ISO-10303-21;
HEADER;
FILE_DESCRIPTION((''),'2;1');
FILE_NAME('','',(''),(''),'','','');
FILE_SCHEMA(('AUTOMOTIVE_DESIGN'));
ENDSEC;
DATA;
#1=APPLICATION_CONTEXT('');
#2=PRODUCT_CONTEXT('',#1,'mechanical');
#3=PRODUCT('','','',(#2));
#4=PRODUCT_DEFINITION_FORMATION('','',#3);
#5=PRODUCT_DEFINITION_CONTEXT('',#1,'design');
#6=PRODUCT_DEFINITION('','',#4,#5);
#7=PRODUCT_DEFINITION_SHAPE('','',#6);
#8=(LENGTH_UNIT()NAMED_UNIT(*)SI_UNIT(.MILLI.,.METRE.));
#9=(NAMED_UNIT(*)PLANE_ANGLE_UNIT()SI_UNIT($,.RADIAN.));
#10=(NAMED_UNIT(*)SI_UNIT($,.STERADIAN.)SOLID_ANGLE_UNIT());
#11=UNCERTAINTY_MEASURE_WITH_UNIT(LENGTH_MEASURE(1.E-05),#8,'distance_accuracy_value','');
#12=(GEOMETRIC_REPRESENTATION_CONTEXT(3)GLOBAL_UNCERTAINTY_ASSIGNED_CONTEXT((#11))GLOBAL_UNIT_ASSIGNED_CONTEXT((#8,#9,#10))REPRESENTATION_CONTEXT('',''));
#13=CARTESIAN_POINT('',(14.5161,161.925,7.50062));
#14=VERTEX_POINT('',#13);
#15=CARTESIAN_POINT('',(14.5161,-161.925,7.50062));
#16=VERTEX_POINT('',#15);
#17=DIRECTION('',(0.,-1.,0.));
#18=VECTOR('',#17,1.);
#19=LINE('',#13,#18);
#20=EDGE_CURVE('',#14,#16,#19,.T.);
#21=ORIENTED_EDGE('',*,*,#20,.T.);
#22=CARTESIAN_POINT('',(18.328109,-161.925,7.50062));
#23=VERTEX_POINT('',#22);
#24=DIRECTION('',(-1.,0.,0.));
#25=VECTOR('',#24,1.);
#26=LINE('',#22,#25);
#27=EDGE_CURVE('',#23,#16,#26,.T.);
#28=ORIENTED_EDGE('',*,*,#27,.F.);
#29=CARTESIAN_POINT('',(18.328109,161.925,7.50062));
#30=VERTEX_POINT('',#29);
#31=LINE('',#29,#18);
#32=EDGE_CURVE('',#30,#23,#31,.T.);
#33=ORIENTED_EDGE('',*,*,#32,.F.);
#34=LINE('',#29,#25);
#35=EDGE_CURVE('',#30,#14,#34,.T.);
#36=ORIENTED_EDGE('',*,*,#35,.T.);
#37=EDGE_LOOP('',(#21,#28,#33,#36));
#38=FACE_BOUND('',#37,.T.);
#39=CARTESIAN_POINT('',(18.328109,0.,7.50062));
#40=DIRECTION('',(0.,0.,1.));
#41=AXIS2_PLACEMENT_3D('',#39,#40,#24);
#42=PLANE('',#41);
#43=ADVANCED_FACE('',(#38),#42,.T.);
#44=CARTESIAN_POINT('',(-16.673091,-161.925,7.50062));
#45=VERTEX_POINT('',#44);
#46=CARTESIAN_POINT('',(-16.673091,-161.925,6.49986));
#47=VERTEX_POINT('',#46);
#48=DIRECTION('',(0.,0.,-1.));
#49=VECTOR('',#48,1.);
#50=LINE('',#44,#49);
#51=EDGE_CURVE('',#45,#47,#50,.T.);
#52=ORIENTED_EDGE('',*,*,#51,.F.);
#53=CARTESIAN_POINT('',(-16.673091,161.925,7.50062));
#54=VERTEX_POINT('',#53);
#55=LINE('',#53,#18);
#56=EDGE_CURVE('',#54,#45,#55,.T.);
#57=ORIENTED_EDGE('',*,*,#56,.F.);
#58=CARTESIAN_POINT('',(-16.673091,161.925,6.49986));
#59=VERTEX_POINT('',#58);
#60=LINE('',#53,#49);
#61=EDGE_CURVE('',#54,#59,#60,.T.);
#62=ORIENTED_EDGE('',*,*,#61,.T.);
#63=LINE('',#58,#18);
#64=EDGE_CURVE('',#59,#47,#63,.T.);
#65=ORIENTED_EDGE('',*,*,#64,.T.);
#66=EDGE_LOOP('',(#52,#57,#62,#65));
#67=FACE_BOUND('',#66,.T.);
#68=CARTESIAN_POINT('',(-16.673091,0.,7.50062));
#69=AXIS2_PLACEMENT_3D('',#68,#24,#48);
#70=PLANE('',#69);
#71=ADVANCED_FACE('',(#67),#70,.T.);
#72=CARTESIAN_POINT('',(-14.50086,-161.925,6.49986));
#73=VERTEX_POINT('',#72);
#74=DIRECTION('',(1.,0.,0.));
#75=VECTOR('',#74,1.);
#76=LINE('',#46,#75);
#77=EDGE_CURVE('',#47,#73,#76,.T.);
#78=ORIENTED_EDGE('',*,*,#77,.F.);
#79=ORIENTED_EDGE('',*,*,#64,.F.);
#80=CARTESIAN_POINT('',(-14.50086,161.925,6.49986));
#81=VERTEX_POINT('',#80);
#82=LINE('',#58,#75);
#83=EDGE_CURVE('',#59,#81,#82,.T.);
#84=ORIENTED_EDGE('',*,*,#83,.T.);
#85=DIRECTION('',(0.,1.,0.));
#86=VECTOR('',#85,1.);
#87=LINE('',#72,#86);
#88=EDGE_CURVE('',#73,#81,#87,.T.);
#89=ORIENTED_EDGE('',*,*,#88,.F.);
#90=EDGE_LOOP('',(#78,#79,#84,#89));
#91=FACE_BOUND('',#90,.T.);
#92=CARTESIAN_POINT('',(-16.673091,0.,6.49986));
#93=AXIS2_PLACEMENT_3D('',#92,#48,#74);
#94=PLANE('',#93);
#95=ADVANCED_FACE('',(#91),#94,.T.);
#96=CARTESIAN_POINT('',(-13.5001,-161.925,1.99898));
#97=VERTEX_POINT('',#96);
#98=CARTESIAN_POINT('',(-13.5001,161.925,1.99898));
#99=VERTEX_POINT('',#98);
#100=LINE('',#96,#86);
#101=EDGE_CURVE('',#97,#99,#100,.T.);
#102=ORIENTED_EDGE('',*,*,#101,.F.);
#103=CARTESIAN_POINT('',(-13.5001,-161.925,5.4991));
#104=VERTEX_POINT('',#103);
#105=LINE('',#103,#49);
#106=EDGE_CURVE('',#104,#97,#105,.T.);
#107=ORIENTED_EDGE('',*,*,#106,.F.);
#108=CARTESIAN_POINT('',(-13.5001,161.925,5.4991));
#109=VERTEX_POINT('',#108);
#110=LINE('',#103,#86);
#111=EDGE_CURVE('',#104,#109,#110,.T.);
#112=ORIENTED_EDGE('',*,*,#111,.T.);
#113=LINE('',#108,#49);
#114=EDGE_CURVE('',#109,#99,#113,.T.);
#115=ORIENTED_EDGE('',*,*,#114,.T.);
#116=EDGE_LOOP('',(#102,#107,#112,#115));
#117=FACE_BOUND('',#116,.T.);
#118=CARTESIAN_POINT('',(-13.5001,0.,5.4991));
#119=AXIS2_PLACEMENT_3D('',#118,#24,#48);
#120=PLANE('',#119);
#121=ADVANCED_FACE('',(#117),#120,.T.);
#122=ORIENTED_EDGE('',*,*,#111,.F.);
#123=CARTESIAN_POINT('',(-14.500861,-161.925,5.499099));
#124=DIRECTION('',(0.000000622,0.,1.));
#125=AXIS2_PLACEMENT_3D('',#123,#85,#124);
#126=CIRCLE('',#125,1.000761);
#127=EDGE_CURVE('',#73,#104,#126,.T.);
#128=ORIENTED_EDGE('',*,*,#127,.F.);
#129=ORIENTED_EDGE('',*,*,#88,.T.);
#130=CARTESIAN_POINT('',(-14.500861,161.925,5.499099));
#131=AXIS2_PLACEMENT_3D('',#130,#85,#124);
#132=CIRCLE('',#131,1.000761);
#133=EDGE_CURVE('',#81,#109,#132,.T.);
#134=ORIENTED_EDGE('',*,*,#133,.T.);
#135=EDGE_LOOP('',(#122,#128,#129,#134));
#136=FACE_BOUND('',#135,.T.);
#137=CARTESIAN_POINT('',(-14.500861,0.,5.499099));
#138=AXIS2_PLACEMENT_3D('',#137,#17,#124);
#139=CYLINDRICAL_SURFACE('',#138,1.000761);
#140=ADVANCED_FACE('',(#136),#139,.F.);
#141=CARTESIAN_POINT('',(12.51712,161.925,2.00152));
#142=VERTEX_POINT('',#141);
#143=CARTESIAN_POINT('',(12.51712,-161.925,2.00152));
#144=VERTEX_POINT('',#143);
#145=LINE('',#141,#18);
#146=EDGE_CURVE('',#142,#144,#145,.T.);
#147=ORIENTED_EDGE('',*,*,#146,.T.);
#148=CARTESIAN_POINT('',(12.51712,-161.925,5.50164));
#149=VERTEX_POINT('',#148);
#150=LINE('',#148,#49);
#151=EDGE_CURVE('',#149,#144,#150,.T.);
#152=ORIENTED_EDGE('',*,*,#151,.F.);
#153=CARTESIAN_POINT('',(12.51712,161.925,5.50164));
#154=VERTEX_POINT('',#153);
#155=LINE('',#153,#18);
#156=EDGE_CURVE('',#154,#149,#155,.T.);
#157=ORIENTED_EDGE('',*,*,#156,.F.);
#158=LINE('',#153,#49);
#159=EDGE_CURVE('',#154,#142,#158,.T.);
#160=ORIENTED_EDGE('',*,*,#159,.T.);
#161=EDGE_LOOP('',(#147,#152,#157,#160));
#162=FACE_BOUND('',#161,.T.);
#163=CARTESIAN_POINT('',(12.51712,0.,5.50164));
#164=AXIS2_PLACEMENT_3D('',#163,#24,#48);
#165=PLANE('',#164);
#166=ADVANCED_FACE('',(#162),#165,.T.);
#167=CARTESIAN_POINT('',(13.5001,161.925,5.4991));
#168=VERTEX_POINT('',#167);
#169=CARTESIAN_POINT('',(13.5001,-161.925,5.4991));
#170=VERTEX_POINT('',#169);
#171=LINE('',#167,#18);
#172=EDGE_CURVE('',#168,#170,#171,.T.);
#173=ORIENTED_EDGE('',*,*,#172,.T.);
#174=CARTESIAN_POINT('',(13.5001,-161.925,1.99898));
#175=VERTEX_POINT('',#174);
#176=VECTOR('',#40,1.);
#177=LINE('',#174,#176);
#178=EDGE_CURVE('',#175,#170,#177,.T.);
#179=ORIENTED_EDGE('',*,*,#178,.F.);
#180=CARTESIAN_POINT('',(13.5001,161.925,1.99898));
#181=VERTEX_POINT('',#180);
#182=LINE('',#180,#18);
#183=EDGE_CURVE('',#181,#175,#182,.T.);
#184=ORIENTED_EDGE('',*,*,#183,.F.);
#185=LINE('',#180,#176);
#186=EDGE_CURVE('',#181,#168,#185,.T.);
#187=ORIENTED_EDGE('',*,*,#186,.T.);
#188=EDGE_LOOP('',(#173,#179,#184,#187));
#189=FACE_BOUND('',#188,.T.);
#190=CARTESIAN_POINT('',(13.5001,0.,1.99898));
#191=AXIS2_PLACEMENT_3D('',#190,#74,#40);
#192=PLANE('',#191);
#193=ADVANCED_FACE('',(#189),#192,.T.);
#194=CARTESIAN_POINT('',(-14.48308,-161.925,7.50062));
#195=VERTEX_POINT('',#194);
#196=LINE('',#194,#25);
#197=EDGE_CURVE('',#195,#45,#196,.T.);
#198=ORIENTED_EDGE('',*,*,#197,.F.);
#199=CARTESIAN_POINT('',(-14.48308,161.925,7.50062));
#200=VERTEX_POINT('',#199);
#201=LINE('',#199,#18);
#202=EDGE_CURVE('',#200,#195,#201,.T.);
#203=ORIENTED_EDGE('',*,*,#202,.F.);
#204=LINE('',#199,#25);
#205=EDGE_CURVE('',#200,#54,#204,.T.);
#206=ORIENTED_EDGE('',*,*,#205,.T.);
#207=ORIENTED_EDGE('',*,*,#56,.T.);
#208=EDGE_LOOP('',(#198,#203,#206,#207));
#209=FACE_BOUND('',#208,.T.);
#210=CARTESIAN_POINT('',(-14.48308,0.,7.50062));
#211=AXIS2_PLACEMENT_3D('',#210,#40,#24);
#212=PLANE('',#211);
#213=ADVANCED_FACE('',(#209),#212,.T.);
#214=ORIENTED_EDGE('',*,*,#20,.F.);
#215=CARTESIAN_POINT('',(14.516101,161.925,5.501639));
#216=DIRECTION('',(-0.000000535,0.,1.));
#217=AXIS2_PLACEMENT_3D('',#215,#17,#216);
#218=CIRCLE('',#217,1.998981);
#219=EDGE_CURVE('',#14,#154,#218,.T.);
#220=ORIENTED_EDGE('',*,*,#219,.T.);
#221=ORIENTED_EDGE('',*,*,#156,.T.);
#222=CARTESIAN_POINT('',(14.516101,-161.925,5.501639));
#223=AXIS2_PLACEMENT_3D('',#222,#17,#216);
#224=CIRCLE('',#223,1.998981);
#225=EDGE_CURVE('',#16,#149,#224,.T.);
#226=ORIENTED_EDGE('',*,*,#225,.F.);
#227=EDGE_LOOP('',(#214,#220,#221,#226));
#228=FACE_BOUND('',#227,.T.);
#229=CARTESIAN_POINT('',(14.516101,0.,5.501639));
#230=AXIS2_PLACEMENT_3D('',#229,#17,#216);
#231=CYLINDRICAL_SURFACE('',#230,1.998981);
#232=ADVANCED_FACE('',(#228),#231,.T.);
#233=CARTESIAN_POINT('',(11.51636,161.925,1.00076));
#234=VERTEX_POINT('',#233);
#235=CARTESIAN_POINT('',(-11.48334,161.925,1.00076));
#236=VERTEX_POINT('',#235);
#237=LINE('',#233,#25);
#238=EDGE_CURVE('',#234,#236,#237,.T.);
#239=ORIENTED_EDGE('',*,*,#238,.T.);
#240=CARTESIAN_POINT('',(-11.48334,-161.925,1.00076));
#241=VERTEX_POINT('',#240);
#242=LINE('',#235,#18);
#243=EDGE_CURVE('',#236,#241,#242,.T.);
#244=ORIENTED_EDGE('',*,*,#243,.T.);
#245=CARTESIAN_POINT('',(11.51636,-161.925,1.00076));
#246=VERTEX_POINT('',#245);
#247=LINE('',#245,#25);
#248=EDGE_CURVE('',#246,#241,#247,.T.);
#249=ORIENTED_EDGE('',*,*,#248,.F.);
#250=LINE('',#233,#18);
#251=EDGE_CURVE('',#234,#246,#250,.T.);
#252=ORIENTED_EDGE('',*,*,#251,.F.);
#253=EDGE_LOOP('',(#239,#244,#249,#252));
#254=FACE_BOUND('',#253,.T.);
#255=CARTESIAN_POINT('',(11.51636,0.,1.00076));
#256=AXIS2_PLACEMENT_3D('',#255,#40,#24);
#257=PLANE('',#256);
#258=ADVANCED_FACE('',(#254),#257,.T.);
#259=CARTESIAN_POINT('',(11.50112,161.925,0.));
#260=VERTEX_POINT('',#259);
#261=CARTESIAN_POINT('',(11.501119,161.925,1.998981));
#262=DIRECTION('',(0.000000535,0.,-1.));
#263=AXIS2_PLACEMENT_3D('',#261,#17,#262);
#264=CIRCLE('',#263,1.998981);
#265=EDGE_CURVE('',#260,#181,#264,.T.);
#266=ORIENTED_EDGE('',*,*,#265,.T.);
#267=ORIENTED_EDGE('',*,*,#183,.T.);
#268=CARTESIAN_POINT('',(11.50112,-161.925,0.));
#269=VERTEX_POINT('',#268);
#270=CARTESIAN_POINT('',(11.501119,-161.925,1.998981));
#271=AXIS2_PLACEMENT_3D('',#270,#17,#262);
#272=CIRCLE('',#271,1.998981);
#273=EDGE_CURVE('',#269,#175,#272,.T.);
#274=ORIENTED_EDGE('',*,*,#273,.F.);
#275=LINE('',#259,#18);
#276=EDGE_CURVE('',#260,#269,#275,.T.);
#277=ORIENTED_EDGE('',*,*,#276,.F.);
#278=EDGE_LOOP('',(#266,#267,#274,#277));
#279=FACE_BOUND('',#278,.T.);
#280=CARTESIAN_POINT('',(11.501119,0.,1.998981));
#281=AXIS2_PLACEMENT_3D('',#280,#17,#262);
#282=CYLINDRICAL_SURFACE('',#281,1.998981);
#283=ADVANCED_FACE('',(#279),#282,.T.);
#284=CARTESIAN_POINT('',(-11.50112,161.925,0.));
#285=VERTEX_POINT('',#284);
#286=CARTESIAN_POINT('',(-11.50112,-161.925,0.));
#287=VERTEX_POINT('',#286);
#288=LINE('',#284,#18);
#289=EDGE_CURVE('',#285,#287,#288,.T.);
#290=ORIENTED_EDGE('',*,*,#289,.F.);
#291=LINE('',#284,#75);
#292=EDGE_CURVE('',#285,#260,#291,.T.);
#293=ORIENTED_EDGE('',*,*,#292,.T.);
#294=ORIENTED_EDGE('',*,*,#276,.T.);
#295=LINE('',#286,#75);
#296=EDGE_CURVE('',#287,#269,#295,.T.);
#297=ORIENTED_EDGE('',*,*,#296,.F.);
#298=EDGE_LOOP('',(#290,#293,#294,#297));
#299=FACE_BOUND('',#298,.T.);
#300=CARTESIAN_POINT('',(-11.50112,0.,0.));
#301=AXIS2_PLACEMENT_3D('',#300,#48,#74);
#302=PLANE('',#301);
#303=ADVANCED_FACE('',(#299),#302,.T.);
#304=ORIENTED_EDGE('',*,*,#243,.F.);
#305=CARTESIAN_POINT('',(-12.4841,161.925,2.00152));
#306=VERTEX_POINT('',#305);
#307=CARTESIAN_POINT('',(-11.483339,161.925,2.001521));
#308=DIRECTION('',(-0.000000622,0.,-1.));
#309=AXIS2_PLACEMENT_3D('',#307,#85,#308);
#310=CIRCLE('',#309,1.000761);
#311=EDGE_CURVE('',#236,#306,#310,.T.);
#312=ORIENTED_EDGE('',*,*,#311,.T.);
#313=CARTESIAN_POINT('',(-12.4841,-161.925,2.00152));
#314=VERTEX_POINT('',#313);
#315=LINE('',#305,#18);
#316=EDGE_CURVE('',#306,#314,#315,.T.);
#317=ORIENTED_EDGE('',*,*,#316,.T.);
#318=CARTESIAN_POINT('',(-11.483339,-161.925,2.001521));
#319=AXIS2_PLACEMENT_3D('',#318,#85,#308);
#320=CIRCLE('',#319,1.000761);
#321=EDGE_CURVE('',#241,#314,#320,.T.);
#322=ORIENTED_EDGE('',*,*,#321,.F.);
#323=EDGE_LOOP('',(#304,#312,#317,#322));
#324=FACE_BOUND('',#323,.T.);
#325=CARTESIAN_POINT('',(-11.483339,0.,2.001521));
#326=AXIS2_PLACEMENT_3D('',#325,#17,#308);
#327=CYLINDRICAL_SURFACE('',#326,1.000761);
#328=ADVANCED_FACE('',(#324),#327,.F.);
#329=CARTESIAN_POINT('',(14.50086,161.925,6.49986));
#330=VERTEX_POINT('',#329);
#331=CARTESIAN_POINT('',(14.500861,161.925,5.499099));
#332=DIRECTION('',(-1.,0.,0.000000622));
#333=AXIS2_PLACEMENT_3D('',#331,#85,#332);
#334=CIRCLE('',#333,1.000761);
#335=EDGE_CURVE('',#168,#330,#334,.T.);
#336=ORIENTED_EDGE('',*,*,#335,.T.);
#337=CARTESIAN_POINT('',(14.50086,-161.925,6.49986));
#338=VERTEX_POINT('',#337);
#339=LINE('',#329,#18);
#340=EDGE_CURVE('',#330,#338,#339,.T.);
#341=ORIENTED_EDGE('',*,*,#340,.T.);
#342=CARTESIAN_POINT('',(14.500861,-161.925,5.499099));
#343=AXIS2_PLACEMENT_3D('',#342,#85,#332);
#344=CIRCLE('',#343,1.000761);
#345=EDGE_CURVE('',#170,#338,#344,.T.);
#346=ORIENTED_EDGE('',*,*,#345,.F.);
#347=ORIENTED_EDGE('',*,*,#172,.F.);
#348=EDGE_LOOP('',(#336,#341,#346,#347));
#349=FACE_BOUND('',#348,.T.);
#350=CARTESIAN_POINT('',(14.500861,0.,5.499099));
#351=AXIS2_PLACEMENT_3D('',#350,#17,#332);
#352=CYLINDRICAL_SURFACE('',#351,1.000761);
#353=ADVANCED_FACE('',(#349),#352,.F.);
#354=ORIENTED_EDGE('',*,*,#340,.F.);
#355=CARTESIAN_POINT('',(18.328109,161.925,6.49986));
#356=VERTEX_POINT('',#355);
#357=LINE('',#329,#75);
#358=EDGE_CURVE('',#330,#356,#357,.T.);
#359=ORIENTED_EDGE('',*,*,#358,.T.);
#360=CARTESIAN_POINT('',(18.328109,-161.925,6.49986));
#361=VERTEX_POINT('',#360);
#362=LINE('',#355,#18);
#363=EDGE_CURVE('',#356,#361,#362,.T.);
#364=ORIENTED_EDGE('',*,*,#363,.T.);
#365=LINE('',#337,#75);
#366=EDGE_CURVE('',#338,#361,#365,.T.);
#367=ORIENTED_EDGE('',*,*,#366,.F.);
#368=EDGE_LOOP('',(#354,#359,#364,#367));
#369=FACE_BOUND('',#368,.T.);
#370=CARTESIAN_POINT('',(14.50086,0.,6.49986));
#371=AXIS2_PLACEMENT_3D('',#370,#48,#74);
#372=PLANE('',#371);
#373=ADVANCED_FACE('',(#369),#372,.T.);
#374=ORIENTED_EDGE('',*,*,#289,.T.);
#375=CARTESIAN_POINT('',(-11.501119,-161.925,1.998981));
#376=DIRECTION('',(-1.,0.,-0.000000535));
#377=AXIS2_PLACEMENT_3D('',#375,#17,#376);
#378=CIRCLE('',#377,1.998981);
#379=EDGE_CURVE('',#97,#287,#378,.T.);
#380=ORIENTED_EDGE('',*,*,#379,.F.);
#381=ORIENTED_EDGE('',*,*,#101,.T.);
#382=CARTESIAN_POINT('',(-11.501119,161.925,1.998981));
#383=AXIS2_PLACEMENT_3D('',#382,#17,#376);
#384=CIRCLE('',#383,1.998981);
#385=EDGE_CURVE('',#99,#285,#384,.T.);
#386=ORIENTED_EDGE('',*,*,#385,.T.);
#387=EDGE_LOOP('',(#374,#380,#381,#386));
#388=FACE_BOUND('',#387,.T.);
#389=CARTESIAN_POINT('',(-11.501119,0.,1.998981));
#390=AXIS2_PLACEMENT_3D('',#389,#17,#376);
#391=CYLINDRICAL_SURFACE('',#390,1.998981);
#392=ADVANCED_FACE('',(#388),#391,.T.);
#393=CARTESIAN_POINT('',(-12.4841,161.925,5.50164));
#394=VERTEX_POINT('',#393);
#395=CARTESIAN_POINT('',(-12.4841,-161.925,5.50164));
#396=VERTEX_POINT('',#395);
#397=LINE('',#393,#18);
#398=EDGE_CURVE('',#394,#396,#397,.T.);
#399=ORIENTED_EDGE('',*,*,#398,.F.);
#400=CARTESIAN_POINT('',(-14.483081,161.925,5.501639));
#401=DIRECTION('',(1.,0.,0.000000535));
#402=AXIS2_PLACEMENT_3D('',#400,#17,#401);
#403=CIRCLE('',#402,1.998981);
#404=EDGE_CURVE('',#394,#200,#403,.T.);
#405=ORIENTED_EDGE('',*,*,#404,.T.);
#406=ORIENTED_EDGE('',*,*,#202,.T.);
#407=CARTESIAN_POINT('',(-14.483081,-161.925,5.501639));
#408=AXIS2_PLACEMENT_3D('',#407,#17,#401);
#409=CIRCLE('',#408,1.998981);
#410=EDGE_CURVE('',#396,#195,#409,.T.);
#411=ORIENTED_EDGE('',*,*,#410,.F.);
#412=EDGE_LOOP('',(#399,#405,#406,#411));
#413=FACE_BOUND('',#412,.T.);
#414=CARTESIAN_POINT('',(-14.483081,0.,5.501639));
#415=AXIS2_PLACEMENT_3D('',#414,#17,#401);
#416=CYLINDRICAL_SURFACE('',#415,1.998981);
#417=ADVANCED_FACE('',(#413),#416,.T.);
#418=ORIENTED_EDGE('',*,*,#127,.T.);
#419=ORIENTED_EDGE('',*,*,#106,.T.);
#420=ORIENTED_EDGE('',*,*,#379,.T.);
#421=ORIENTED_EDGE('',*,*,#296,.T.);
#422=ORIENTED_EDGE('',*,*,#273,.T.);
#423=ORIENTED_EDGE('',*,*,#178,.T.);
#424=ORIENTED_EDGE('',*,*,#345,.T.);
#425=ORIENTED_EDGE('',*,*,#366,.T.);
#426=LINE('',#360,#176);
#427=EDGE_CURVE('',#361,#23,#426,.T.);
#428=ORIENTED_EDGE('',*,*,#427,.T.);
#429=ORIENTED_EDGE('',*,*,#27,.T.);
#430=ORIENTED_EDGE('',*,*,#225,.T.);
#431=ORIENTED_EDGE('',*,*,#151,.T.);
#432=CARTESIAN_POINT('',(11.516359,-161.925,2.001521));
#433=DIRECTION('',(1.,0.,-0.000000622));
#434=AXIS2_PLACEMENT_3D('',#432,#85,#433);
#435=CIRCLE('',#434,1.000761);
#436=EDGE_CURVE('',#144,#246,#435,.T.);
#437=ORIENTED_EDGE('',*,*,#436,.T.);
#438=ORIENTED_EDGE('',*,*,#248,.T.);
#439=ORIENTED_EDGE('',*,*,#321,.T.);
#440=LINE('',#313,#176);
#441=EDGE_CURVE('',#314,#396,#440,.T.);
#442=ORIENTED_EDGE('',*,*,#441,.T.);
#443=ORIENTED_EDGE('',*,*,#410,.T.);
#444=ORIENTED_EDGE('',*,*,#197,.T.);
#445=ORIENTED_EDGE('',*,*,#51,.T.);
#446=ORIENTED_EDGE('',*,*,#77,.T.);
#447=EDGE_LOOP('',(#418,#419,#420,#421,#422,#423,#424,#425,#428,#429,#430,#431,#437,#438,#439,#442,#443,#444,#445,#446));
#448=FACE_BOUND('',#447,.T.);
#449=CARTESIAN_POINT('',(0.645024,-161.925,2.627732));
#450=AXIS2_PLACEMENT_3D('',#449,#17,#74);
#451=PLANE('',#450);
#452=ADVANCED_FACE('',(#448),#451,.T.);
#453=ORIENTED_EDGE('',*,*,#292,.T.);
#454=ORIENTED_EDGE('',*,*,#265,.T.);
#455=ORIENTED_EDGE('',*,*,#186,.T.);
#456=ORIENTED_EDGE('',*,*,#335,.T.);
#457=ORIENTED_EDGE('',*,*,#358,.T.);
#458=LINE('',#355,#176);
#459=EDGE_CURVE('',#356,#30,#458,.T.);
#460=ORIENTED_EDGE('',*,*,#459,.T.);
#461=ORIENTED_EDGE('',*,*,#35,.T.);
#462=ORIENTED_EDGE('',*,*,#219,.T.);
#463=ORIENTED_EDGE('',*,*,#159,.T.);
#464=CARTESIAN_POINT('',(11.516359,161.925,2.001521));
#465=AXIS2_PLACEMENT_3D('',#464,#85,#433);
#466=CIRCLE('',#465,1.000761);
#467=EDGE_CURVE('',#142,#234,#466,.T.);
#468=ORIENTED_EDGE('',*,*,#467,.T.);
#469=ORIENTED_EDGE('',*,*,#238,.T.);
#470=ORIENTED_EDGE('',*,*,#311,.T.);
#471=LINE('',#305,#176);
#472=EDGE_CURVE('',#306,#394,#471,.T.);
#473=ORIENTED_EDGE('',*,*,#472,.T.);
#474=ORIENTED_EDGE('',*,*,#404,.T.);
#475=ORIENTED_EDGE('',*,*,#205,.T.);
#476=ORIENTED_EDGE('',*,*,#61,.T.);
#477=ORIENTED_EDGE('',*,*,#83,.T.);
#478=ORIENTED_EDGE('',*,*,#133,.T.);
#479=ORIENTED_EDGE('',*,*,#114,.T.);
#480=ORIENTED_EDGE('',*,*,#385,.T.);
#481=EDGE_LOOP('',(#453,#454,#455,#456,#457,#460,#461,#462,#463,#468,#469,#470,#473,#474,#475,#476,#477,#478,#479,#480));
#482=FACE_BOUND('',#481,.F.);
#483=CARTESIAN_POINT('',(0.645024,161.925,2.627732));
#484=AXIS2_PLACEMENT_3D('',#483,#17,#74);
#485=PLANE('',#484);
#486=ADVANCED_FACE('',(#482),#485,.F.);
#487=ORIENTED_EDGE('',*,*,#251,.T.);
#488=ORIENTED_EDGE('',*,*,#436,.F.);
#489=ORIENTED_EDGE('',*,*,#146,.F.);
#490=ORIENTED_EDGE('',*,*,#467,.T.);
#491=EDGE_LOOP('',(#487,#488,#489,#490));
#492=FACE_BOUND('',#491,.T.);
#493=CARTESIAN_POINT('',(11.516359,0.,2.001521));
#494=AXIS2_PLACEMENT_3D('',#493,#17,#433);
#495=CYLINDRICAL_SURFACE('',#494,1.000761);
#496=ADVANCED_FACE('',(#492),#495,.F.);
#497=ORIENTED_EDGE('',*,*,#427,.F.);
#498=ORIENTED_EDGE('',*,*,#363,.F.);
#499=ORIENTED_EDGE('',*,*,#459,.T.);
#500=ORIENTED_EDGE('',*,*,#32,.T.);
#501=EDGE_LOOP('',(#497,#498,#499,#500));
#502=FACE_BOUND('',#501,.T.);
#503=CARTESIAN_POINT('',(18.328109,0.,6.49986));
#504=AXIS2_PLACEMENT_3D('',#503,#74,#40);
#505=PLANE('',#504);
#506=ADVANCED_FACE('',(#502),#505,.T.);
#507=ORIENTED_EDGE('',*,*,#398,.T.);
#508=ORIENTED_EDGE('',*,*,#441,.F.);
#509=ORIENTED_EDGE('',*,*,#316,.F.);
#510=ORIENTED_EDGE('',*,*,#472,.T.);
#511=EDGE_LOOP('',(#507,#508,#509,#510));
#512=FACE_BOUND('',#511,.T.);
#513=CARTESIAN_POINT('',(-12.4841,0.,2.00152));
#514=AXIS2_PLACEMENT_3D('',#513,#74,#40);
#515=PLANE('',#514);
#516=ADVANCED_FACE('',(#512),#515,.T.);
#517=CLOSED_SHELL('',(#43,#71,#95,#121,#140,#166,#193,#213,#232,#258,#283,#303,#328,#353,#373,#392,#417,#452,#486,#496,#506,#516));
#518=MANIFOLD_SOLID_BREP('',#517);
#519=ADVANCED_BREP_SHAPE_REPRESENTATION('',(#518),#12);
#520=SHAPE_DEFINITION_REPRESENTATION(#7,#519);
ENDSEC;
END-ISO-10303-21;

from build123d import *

# Parameters (mm, degrees)
F1_DEPTH = 161.925


with BuildPart() as f1:
    # F0 (on Front) → F1 (new body, symmetric)
    with BuildSketch(Plane.XZ):
        with BuildLine():
            ThreePointArc((-13.5001, 1.99898), (-12.914612, 0.585488), (-11.50112, 0))
            Line((-11.50112, 0), (11.50112, 0))
            ThreePointArc((11.50112, 0), (12.914612, 0.585488), (13.5001, 1.99898))
            Line((13.5001, 1.99898), (13.5001, 5.4991))
            ThreePointArc((13.5001, 5.4991), (13.793216, 6.206744), (14.50086, 6.49986))
            Line((14.50086, 6.49986), (18.328109, 6.49986))
            Line((18.328109, 6.49986), (18.328109, 7.50062))
            Line((18.328109, 7.50062), (14.5161, 7.50062))
            ThreePointArc((14.5161, 7.50062), (13.102608, 6.915132), (12.51712, 5.50164))
            Line((12.51712, 5.50164), (12.51712, 2.00152))
            ThreePointArc((12.51712, 2.00152), (12.224004, 1.293876), (11.51636, 1.00076))
            Line((11.51636, 1.00076), (-11.48334, 1.00076))
            ThreePointArc((-11.48334, 1.00076), (-12.190984, 1.293876), (-12.4841, 2.00152))
            Line((-12.4841, 2.00152), (-12.4841, 5.50164))
            ThreePointArc((-12.4841, 5.50164), (-13.069588, 6.915132), (-14.48308, 7.50062))
            Line((-14.48308, 7.50062), (-16.673091, 7.50062))
            Line((-16.673091, 7.50062), (-16.673091, 6.49986))
            Line((-16.673091, 6.49986), (-14.50086, 6.49986))
            ThreePointArc((-14.50086, 6.49986), (-13.793216, 6.206744), (-13.5001, 5.4991))
            Line((-13.5001, 5.4991), (-13.5001, 1.99898))
        make_face()
    extrude(amount=F1_DEPTH, both=True)


solid = f1.part
